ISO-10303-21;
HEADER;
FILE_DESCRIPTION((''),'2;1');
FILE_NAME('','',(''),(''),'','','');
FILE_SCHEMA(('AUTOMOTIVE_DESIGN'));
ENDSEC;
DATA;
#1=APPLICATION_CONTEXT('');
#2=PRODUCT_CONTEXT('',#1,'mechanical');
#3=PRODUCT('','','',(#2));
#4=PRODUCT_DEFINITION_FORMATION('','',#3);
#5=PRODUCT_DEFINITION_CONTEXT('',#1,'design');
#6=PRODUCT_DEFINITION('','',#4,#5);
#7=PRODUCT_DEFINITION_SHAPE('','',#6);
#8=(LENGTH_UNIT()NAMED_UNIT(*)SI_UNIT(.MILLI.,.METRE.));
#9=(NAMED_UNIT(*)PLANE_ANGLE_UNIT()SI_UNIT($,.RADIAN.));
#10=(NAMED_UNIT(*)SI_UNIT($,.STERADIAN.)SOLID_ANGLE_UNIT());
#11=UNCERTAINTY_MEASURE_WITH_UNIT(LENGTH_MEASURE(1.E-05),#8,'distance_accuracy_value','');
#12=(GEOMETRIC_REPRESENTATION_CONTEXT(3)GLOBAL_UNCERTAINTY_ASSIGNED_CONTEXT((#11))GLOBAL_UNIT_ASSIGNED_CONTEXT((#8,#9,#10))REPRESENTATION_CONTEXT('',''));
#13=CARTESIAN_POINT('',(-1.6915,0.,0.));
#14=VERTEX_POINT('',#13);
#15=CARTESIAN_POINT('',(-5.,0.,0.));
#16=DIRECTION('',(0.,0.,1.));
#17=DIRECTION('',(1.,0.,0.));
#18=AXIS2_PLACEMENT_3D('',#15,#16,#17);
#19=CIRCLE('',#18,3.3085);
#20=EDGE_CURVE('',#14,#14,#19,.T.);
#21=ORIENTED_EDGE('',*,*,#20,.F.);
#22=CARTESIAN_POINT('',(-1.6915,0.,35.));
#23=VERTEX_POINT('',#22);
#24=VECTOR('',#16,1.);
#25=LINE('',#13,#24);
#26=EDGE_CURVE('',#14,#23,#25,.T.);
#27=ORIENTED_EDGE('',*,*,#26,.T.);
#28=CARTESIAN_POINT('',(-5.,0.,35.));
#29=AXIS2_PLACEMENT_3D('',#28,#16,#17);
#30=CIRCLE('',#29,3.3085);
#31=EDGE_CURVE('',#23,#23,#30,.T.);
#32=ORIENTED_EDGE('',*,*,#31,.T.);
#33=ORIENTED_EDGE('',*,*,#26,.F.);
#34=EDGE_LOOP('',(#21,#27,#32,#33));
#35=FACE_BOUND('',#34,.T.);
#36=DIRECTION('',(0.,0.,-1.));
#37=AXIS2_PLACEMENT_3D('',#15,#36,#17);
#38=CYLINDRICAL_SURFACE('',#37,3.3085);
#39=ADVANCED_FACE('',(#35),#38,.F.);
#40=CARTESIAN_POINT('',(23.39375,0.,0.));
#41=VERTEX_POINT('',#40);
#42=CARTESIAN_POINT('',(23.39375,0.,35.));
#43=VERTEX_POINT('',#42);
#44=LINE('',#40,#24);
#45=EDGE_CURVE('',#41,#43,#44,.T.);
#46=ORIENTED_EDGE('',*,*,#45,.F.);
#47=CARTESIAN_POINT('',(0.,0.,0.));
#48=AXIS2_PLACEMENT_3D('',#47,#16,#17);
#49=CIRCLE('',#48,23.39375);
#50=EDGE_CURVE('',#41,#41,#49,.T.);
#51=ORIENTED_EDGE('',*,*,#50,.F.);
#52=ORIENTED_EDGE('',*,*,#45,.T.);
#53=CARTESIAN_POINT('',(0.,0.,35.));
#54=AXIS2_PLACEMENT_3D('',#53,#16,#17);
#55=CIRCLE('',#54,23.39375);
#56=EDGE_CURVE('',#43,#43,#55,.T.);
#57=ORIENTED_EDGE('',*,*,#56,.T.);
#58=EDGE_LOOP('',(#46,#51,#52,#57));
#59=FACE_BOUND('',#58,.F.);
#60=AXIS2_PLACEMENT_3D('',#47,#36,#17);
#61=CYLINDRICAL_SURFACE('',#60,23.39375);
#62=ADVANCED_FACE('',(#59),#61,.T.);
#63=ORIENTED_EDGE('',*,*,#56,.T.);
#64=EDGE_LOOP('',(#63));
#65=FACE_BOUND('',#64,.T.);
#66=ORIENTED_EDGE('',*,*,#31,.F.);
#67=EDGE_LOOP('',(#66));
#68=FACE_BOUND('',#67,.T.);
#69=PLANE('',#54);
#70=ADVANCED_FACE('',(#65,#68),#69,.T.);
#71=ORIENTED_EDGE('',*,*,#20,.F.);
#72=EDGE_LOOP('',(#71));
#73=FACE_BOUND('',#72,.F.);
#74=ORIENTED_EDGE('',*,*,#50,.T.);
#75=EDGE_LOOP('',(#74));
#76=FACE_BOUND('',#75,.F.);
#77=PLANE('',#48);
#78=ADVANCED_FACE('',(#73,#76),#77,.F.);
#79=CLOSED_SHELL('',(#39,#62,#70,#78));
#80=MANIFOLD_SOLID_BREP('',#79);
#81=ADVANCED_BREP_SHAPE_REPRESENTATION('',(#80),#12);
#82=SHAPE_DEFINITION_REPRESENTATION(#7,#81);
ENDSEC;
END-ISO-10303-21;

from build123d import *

# Parameters (mm, degrees)
SKETCH11_R           = 23.39375
SKETCH11_R_2         = 3.3085
BOSS_EXTRUDE13_DEPTH = 35


with BuildPart() as part:
    # Sketch11 → Boss-Extrude13 (new body)
    with BuildSketch(Plane.XY):
        Circle(SKETCH11_R)
        with Locations((-5, 0)):
            Circle(SKETCH11_R_2, mode=Mode.SUBTRACT)
    extrude(amount=BOSS_EXTRUDE13_DEPTH)


solid = part.part
